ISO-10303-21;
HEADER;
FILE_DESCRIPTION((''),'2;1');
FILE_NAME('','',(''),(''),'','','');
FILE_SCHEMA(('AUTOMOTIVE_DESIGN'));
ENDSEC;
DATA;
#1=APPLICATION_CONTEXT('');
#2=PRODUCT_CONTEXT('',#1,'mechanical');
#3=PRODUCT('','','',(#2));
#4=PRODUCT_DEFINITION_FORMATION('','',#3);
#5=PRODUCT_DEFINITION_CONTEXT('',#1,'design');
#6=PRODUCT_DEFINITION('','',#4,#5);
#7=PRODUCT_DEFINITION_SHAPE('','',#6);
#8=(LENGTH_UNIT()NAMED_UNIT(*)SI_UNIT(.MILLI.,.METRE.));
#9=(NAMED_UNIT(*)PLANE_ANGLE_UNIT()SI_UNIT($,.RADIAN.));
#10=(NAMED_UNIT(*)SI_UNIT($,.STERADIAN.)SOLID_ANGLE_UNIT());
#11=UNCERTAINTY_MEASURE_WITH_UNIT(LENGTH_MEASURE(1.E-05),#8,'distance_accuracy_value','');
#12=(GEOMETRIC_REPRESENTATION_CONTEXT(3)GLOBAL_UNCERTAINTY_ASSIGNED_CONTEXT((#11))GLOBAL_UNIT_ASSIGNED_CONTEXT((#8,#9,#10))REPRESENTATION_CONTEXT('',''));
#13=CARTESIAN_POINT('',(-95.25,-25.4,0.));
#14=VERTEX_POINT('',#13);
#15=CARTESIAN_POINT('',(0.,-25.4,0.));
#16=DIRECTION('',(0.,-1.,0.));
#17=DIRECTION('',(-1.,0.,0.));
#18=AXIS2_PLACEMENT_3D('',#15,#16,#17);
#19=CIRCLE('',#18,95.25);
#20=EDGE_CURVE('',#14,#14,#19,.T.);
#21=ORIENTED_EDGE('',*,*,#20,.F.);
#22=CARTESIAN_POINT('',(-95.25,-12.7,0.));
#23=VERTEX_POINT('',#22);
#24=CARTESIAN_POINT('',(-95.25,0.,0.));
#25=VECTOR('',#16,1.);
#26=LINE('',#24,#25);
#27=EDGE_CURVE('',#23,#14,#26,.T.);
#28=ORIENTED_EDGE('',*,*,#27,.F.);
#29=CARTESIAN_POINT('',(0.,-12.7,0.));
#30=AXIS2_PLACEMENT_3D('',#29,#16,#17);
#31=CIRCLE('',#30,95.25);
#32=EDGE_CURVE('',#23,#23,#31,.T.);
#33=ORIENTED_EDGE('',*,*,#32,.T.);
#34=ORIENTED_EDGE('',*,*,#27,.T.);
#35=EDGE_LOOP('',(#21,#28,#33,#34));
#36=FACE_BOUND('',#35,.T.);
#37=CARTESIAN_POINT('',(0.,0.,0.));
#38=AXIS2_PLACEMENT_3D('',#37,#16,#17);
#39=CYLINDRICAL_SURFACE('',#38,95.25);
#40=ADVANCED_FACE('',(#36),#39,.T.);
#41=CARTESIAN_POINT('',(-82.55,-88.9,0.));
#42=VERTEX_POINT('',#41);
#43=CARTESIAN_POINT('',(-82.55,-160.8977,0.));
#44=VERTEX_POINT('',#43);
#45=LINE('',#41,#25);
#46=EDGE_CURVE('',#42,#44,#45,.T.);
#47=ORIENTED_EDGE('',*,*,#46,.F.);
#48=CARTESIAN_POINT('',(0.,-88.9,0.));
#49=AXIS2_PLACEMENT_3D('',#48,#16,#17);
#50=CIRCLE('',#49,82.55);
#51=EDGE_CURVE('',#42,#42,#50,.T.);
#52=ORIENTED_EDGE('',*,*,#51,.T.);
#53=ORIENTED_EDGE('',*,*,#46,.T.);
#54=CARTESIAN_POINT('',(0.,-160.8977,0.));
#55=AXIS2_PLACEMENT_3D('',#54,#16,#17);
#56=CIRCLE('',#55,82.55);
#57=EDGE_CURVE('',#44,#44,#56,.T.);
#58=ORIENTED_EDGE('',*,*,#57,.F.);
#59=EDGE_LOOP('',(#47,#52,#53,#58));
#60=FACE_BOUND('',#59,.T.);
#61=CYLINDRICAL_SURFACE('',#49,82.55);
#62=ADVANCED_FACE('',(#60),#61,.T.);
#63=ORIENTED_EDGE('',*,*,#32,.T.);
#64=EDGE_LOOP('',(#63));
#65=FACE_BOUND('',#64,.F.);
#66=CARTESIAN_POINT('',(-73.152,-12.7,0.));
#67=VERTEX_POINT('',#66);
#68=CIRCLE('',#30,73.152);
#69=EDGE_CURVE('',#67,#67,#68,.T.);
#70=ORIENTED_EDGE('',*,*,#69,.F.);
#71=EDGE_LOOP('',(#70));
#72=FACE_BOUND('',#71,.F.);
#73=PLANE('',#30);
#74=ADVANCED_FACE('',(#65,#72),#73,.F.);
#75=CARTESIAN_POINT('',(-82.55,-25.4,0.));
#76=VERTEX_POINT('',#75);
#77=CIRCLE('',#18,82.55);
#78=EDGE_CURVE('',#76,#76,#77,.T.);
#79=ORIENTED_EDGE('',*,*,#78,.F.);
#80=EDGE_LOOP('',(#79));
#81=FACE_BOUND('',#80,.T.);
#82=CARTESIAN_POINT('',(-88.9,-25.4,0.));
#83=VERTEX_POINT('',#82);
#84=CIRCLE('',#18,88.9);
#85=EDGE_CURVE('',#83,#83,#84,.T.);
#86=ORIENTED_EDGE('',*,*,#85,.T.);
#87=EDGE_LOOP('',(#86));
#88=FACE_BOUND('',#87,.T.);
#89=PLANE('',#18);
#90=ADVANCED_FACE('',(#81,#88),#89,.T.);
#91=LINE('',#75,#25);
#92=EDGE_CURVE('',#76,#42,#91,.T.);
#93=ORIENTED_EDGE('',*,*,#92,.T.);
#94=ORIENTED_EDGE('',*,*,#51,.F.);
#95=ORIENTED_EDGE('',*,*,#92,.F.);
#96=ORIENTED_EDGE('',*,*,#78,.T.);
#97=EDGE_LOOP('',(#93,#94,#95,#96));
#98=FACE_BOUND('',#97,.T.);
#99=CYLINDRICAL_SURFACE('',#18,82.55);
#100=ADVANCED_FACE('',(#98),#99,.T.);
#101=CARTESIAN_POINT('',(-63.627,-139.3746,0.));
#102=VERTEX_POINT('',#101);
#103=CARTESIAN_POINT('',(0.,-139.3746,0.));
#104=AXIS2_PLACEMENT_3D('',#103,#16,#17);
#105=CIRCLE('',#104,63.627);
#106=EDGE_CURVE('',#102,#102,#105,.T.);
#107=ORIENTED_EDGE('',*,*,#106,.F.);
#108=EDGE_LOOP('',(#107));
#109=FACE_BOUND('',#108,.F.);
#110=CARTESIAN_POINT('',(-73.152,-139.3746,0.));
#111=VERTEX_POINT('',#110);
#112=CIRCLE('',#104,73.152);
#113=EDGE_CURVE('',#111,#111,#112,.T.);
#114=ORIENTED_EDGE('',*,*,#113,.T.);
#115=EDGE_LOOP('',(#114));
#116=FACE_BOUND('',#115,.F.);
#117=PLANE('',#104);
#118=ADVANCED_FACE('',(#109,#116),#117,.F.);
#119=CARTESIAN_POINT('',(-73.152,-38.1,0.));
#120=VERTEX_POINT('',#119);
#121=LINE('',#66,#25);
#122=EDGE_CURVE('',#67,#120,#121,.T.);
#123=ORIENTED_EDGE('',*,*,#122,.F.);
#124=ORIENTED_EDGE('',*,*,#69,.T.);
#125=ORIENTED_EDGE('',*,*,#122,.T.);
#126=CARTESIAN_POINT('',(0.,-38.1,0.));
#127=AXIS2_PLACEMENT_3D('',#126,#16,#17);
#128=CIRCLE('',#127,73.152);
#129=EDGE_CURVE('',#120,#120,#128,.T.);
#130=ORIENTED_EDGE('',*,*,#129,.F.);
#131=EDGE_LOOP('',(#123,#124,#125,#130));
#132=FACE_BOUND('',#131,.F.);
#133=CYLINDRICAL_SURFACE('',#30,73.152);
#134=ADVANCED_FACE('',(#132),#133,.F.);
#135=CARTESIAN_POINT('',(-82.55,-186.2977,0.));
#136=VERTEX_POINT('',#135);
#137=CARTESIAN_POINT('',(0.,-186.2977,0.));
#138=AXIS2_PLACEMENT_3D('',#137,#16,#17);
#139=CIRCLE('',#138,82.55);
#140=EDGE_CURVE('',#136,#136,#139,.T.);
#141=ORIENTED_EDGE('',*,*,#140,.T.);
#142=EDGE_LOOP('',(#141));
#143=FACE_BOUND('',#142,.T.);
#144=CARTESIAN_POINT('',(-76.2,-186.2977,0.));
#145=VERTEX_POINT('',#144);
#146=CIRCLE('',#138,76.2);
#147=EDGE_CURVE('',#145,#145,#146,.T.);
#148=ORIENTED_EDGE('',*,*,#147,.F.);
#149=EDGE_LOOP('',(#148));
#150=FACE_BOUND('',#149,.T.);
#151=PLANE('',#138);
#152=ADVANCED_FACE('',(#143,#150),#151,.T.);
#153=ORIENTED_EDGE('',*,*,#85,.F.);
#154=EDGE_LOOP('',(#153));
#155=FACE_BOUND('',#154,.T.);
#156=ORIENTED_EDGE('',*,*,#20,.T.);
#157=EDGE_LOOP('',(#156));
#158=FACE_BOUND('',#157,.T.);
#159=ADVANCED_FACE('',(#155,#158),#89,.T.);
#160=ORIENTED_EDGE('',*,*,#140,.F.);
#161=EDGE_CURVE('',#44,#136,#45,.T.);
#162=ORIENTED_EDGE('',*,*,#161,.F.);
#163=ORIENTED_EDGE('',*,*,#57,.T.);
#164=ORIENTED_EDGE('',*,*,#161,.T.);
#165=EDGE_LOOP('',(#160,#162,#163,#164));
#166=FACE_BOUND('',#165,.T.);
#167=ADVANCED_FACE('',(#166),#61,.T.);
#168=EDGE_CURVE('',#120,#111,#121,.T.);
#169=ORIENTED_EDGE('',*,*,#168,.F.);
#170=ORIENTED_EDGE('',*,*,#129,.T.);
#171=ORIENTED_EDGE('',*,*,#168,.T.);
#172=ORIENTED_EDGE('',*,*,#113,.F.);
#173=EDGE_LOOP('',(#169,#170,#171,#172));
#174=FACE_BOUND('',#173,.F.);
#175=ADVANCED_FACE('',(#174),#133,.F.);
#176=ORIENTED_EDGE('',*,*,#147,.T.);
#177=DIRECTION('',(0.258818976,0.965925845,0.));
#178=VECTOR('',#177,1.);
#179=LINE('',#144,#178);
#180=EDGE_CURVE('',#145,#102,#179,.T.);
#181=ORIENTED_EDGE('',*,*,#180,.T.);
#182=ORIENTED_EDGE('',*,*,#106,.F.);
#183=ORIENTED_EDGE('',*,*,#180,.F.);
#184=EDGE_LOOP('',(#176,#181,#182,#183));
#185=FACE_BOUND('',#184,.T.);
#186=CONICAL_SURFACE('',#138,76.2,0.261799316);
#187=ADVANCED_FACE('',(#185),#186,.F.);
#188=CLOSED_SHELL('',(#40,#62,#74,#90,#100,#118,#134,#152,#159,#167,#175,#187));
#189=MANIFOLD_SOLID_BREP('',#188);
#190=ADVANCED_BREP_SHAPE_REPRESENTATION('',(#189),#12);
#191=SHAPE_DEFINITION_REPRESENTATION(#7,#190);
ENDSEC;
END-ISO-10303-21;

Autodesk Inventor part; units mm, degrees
ref_plane "YZ Plane" through (0, 0, 0) normal (1, 0, 0) x (0, 1, 0)
ref_plane "XZ Plane" through (0, 0, 0) normal (0, 1, 0) x (-1, 0, 0)
ref_plane "XY Plane" through (0, 0, 0) normal (0, 0, 1) x (1, 0, 0)
sketch "Sketch1" plane through (0, 0, 0) normal (0, 0, 1) x (1, 0, 0)
  line L0 (0, 25.4) -> (-28.702, 25.4) construction
  line L1 (0, 25.4) -> (-95.25, 25.4) construction
  line L2 (-95.25, 25.4) -> (-92.075, 25.4) construction
  line L3 (-92.075, 25.4) -> (-84.455, 21.8467) construction
  line L4 (-92.075, 25.4) -> (-92.075, 22.4389) construction
  line L5 (-92.075, 0) -> (-95.25, 0)
  line L6 (-28.702, 59.0535) -> (-28.702, -92.5226) construction
  arc A0 (-28.9184, -9.8402) -> (-32.3684, -2.4417) centre (-35.052, -8.1967) ccw
  line L7 (-76.2, -186.2977) -> (-28.702, -9.0327)
  line L8 (-92.075, 25.4) -> (-92.075, 0)
  line L9 (-92.075, 25.4) -> (-32.3684, -2.4417)
  line L10 (-28.702, -8.1967) -> (-60.452, -8.1967) construction
  line L11 (-60.452, -127.5253) -> (-54.102, -127.5253) construction
  line L12 (-54.102, -127.5253) -> (-54.102, -103.8268) construction
  line L13 (-54.102, -103.8268) -> (-60.452, -103.8268)
  line L14 (-60.452, 10.654) -> (-60.452, 1.129) construction
  line L15 (-60.452, 10.654) -> (-60.452, 4.1232) construction
  line L16 (-60.452, 4.1232) -> (-46.4468, 4.1232)
  line L17 (-95.25, 0) -> (-95.25, -12.7) construction
  line L18 (-60.452, -12.7) -> (-73.152, -12.7) construction
  line L19 (-95.25, -12.7) -> (-95.25, -25.4) construction
  line L20 (-95.25, -25.4) -> (-95.25, -88.9) construction
  line L21 (-95.25, -88.9) -> (-82.55, -88.9) construction
  line L22 (-82.55, -88.9) -> (-82.55, -25.4) construction
  line L23 (-95.25, -25.4) -> (-82.55, -25.4)
  line L24 (-82.55, -25.4) -> (-82.55, -88.9)
  line L25 (-82.55, -88.9) -> (-95.25, -88.9)
  line L26 (-95.25, -12.7) -> (-73.152, -12.7)
  line L27 (-73.152, -139.3746) -> (-63.627, -139.3746)
  line L28 (-82.55, -88.9) -> (-82.55, -186.2977)
  line L29 (-82.55, -186.2977) -> (-76.2, -186.2977)
  line L30 (-73.152, -12.7) -> (-73.152, -139.3746)
  line L31 (-88.9, -25.4) -> (-88.9, -31.3436)
  line L32 (-88.9, -31.3436) -> (-95.25, -31.3436)
  line L33 (-95.25, 0) -> (-95.25, -25.4)
  line L34 (-95.25, -31.3436) -> (-95.25, -88.9)
  line L35 (-88.9, -160.8977) -> (-88.9, -221.8454)
  line L36 (-28.9184, -9.8402) -> (-85.725, -221.8454)
  line L37 (-85.725, -221.8454) -> (-88.9, -221.8454)
  line L38 (-82.55, -160.8977) -> (-88.9, -160.8977)
  line L39 (-66.802, -38.1) -> (-66.802, 4.1232)
  line L40 (-66.802, 4.1232) -> (-60.452, 4.1232)
  line L41 (-66.802, -38.1) -> (-60.452, -103.8268)
  line L42 (-60.452, 10.654) -> (-60.452, 4.1232) construction
  line L43 (-60.452, -8.1967) -> (-60.452, -12.7) construction
  line L44 (-60.452, -103.8268) -> (-60.452, -127.5253) construction
  line L45 (0, 59.6457) -> (0, -91.9304) construction
  line L46 (-73.152, -38.1) -> (-69.977, -38.1)
  line L47 (-69.977, -38.1) -> (-69.977, -12.7)
  line L48 (-66.802, -12.7) -> (-69.977, -12.7)
  point P0 (0, 0)
  point P1 (-95.25, -256.5049)
  point P2 (-88.7095, 22.4389)
  dimension "d0" = 28.702
  dimension "d1" = 95.25
  dimension "d2" = 3.175
  dimension "d3" = 25
  dimension "d5" = 25.4
  dimension "d6" = 25.4
  dimension "d8" = 12.7
  dimension "d12" = 31.75
  dimension "d13" = 6.35
  dimension "d16" = 12.7
  dimension "d17" = 12.7
  dimension "d18" = 12.7
  dimension "d19" = 63.5
  dimension "d20" = 12.7
  dimension "d22" = 9.525
  dimension "d23" = 6.35
  dimension "d25" = 5.9436
  dimension "d27" = 3.175
  dimension "d28" = 6.35
  dimension "d29" = 25.4
  dimension "d30" = 107.95
  dimension "d31" = 6.35
  dimension "d33" = 20.3552
  dimension "d34" = 15
  dimension "d35" = 3.175
  dimension "d36" = 25.4
revolve "Revolution1" add sketch "Sketch1" angle 360 about axis through (0, 59.6457, 0) along (0, -1, 0) contours L26 L30 L27 L7 L29 L28 L24 L23 L33
properties part number "aluminum_casing" material "Aluminum 6061"
